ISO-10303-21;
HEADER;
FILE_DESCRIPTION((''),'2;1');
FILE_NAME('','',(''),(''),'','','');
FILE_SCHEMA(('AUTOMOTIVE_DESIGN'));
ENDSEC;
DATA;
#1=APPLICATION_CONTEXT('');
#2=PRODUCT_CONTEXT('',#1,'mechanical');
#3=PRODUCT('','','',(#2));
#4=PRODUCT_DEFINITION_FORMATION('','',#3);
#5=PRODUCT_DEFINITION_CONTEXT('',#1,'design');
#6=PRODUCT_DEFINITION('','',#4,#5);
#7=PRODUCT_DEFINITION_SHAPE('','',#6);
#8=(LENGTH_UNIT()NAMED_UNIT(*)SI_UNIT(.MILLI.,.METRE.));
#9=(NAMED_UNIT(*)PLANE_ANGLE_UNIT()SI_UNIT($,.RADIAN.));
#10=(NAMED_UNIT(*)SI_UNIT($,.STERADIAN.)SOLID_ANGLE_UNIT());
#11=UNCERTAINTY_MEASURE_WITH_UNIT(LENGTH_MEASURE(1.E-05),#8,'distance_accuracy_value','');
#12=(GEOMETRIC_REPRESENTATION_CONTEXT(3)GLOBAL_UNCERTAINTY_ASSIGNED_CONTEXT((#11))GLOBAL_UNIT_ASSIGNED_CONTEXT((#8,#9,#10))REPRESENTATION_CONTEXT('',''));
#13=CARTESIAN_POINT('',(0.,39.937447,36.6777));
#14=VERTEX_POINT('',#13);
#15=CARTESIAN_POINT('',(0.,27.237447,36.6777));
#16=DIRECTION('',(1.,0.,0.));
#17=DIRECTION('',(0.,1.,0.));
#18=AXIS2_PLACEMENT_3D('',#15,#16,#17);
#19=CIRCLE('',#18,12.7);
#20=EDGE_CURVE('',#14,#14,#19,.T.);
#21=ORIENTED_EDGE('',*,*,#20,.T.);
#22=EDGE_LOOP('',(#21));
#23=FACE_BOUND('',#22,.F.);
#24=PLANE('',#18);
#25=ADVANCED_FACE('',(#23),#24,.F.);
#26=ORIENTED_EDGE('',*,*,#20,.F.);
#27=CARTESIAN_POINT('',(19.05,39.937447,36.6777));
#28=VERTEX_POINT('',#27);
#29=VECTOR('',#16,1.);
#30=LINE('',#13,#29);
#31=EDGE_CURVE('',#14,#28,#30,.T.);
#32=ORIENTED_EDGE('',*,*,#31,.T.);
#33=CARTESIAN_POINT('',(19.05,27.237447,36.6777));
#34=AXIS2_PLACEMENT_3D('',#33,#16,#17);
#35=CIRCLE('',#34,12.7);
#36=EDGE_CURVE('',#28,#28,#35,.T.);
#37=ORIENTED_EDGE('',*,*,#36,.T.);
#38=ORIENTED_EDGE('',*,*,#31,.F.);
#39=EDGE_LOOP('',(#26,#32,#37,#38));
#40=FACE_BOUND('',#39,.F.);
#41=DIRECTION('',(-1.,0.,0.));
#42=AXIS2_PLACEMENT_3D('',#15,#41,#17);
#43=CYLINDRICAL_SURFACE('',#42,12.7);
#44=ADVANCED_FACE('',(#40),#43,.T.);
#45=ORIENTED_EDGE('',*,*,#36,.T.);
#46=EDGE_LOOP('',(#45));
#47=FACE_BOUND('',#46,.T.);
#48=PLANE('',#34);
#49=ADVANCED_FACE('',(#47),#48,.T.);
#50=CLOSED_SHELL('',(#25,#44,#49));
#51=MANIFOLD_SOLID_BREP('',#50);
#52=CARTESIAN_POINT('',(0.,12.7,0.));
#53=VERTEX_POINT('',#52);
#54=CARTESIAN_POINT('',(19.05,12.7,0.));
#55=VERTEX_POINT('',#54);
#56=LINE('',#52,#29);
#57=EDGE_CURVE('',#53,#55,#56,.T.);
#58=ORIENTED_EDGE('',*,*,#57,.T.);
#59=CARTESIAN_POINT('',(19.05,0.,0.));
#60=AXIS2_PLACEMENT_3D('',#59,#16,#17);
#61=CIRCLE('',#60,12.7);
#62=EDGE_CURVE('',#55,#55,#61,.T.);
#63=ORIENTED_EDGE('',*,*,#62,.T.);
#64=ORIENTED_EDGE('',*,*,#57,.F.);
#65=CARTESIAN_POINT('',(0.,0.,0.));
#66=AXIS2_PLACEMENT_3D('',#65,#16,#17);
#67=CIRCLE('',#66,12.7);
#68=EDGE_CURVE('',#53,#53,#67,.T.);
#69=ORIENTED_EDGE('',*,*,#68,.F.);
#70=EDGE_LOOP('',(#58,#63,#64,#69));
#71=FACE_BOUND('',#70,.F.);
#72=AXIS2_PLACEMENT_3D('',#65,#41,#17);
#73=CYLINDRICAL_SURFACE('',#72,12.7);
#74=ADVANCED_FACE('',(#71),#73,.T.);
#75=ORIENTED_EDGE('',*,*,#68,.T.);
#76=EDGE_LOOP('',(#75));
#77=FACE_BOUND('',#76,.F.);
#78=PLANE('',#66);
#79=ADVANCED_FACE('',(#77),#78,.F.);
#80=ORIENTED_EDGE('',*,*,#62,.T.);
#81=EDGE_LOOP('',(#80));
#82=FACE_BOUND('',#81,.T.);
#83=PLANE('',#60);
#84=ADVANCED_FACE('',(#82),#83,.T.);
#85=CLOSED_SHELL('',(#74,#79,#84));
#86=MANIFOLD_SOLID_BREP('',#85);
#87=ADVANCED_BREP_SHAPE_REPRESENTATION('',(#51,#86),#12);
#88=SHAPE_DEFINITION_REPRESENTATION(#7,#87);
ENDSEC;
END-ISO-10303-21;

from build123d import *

# Parameters (mm, degrees)
F0_R     = 12.7
F1_DEPTH = 19.05


with BuildPart() as f1:
    # F0 (on Right) → F1 (new body)
    with BuildSketch(Plane.YZ):
        with Locations((27.237447, 36.6777)):
            Circle(F0_R)
        Circle(F0_R)
    extrude(amount=F1_DEPTH)


solid = f1.part
